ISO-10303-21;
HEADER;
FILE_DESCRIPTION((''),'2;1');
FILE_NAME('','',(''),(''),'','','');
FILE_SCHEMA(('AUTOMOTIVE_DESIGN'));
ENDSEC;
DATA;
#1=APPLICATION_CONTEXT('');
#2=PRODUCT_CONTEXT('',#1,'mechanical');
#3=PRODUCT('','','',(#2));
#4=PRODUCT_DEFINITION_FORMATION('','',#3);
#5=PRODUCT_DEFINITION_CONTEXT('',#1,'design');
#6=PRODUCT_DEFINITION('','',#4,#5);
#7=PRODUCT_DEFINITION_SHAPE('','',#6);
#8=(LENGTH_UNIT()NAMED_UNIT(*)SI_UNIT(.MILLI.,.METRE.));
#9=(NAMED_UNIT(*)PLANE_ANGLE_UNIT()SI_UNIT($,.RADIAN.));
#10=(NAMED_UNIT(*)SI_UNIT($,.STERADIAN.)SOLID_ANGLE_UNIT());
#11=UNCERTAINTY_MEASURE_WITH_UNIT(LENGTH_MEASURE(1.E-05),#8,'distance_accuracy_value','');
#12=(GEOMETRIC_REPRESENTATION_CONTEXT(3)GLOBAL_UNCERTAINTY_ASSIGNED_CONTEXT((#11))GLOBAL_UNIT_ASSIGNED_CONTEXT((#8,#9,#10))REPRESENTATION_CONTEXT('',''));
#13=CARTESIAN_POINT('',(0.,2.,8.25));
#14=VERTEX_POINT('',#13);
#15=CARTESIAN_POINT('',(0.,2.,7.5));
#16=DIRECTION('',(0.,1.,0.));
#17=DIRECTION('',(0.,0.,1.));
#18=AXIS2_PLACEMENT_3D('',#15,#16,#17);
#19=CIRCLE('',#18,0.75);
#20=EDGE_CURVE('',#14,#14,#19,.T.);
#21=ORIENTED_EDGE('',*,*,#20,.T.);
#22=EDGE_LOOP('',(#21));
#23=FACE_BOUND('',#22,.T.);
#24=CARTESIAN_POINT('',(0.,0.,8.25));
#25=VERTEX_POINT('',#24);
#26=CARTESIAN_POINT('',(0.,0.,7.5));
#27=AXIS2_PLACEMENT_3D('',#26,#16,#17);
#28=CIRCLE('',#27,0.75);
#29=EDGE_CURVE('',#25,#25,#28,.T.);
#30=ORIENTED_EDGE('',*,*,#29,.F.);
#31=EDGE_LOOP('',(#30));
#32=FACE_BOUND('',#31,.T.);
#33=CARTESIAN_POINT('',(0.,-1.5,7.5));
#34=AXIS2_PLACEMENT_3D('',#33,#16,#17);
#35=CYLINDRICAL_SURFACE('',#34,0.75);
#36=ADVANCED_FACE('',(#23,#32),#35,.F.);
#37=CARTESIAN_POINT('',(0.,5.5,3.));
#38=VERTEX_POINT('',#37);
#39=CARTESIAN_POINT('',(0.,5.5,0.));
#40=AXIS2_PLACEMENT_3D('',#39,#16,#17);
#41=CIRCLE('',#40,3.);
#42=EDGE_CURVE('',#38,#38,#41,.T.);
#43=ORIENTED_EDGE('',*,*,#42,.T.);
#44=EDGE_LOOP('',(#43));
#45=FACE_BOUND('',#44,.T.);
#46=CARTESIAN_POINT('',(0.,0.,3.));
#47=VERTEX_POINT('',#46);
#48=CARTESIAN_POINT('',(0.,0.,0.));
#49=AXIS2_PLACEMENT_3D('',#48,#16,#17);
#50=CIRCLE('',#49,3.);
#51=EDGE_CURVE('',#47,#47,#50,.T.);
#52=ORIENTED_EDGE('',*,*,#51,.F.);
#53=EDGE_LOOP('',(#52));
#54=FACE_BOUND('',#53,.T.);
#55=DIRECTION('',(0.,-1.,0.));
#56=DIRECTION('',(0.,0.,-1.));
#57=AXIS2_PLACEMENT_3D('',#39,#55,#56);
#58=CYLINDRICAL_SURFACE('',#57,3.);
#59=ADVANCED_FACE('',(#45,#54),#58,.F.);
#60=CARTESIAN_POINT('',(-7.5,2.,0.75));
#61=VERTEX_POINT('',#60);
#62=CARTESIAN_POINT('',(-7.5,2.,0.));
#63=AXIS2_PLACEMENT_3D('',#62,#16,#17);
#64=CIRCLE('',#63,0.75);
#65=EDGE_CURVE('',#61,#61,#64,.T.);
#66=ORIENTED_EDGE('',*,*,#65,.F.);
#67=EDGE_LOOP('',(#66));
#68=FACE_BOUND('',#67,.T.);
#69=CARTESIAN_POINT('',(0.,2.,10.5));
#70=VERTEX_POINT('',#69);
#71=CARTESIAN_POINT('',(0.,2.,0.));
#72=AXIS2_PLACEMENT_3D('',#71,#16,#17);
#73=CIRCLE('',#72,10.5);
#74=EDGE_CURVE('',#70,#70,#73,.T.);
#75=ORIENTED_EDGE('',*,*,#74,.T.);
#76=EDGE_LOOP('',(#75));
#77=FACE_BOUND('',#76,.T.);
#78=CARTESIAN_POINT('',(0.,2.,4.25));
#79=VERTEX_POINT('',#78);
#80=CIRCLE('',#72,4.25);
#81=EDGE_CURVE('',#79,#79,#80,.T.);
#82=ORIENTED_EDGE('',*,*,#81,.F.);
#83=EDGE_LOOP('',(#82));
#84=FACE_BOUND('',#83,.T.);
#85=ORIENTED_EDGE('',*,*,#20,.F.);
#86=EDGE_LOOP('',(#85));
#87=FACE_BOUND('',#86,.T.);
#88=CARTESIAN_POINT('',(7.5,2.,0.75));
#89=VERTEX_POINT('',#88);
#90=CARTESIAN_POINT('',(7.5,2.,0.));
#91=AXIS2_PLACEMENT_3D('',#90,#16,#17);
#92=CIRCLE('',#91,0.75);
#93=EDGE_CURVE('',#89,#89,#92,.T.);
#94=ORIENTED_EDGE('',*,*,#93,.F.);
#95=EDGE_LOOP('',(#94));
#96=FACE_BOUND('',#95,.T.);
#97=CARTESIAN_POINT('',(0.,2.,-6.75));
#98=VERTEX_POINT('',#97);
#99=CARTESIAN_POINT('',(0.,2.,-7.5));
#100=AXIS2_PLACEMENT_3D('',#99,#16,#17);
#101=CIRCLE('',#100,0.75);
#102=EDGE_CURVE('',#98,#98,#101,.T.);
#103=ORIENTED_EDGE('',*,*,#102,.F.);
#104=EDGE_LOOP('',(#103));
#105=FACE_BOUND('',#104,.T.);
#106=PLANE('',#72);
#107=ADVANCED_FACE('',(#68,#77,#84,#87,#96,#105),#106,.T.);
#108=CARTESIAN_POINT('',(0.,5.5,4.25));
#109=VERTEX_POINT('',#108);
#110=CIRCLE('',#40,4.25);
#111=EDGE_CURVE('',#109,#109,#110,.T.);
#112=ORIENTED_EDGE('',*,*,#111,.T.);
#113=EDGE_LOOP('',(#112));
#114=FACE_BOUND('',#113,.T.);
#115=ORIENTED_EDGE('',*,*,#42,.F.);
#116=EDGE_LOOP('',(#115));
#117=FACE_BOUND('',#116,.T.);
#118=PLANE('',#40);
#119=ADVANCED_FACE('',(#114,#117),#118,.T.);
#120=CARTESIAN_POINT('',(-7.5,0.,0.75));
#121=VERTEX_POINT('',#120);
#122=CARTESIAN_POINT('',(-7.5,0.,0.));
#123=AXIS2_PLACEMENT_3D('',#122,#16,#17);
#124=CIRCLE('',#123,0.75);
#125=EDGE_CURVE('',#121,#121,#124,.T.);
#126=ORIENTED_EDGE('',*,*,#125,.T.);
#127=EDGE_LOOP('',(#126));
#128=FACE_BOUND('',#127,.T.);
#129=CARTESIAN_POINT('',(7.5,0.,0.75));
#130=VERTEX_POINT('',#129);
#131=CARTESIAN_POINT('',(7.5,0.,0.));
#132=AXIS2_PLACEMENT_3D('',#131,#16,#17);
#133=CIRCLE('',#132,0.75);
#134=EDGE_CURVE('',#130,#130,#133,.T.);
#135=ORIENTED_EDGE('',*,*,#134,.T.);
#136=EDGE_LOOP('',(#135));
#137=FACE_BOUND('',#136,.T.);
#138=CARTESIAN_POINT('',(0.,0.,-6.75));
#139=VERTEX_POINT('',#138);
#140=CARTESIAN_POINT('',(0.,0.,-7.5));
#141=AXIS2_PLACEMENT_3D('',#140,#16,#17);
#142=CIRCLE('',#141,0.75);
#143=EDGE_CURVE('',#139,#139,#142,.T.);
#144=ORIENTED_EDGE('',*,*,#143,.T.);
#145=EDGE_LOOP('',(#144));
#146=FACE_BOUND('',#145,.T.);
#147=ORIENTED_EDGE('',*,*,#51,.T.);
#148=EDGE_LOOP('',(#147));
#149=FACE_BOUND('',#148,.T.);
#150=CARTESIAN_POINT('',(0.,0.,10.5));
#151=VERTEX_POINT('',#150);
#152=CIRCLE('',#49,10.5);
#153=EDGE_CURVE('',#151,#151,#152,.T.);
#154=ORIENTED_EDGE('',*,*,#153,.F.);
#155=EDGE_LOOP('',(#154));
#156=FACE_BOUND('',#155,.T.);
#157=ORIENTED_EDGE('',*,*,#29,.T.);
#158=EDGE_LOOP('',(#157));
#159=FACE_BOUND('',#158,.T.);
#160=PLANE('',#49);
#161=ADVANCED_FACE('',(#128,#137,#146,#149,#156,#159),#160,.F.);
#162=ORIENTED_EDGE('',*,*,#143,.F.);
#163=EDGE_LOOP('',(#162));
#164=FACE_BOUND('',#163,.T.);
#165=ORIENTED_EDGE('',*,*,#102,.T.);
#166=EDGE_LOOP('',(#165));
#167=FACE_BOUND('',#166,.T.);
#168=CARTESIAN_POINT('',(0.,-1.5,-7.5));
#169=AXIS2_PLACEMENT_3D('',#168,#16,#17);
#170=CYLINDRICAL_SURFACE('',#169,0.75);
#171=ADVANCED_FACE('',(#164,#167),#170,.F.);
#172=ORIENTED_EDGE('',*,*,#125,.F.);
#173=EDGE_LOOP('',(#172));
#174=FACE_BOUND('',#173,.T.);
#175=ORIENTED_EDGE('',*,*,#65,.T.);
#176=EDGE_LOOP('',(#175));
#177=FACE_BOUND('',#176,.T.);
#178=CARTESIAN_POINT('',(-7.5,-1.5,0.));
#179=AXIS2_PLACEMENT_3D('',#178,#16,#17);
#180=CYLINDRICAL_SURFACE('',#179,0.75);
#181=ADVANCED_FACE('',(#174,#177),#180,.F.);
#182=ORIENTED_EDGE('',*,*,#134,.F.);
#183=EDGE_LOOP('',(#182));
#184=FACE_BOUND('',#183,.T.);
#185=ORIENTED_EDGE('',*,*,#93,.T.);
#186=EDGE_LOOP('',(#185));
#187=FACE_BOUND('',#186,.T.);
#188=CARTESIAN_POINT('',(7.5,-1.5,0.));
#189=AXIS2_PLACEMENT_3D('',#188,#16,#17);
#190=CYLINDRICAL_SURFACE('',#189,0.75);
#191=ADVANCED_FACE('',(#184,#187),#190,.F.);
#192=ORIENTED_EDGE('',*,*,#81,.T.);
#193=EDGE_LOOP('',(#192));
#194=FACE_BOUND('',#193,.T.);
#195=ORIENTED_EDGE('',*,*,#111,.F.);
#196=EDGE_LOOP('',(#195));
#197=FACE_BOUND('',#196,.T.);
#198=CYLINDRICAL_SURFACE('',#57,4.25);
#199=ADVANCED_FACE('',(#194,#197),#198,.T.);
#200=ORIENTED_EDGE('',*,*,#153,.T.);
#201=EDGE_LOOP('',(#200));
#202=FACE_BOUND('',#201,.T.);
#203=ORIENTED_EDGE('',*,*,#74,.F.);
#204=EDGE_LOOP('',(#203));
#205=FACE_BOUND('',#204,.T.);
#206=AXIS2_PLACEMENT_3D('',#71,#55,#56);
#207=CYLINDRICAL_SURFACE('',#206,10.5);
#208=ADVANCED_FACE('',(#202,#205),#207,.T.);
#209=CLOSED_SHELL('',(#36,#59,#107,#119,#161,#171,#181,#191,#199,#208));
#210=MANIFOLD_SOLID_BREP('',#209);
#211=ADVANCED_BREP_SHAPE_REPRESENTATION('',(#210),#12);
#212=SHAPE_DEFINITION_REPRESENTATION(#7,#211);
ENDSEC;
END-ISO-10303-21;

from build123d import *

# Parameters (mm, degrees)
SKIZZE1_R                       = 10.5
AUFSATZ_LINEAR_AUSTRAGEN1_DEPTH = 2
SKIZZE2_R                       = 4.25
SKIZZE2_R_2                     = 3
AUFSATZ_LINEAR_AUSTRAGEN2_DEPTH = 3.5
SKIZZE3_R                       = 0.75
SCHNITT_LINEAR_AUSTRAGEN1_DEPTH = 3.5
SCHNITT_LINEAR_START            = -3.5
SKIZZE4_R                       = 3
SCHNITT_LINEAR_AUSTRAGEN2_DEPTH = 3.5


with BuildPart() as part:
    # Skizze1 → Aufsatz-Linear austragen1 (new body)
    with BuildSketch(Plane(origin=(0, 0, 0), x_dir=(1, 0, 0), z_dir=(0, 1, 0))):
        with Locations(Location((0, 0, 0), (0, 0, 270))):
            Circle(SKIZZE1_R)
    extrude(amount=AUFSATZ_LINEAR_AUSTRAGEN1_DEPTH)

    # Skizze2 → Aufsatz-Linear austragen2 (add)
    with BuildSketch(Plane(origin=(0, 2, 0), x_dir=(1, 0, 0), z_dir=(0, 1, 0))):
        with Locations(Location((0, 0, 0), (0, 0, 270))):
            Circle(SKIZZE2_R)
        with Locations(Location((0, 0, 0), (0, 0, 270))):
            Circle(SKIZZE2_R_2, mode=Mode.SUBTRACT)
    extrude(amount=AUFSATZ_LINEAR_AUSTRAGEN2_DEPTH)

    # Skizze3 → Schnitt-Linear austragen1 (cut)
    with BuildSketch(Plane(origin=(0, 2, 0), x_dir=(1, 0, 0), z_dir=(0, 1, 0))):
        with Locations(Location((0, 7.5, 0), (0, 0, 270))):
            Circle(SKIZZE3_R)
        with Locations(Location((0, -7.5, 0), (0, 0, 270))):
            Circle(SKIZZE3_R)
        with Locations(Location((7.5, 0, 0), (0, 0, 270))):
            Circle(SKIZZE3_R)
        with Locations(Location((-7.5, 0, 0), (0, 0, 270))):
            Circle(SKIZZE3_R)
    extrude(amount=-SCHNITT_LINEAR_AUSTRAGEN1_DEPTH, mode=Mode.SUBTRACT)

    # Skizze4 → Schnitt-Linear austragen2 (cut)
    with BuildSketch(Plane(origin=(0, 2, 0), x_dir=(1, 0, 0), z_dir=(0, 1, 0)).offset(SCHNITT_LINEAR_START)):
        with Locations(Location((0, 0, 0), (0, 0, 270))):
            Circle(SKIZZE4_R)
    extrude(amount=SCHNITT_LINEAR_AUSTRAGEN2_DEPTH, mode=Mode.SUBTRACT)


solid = part.part
